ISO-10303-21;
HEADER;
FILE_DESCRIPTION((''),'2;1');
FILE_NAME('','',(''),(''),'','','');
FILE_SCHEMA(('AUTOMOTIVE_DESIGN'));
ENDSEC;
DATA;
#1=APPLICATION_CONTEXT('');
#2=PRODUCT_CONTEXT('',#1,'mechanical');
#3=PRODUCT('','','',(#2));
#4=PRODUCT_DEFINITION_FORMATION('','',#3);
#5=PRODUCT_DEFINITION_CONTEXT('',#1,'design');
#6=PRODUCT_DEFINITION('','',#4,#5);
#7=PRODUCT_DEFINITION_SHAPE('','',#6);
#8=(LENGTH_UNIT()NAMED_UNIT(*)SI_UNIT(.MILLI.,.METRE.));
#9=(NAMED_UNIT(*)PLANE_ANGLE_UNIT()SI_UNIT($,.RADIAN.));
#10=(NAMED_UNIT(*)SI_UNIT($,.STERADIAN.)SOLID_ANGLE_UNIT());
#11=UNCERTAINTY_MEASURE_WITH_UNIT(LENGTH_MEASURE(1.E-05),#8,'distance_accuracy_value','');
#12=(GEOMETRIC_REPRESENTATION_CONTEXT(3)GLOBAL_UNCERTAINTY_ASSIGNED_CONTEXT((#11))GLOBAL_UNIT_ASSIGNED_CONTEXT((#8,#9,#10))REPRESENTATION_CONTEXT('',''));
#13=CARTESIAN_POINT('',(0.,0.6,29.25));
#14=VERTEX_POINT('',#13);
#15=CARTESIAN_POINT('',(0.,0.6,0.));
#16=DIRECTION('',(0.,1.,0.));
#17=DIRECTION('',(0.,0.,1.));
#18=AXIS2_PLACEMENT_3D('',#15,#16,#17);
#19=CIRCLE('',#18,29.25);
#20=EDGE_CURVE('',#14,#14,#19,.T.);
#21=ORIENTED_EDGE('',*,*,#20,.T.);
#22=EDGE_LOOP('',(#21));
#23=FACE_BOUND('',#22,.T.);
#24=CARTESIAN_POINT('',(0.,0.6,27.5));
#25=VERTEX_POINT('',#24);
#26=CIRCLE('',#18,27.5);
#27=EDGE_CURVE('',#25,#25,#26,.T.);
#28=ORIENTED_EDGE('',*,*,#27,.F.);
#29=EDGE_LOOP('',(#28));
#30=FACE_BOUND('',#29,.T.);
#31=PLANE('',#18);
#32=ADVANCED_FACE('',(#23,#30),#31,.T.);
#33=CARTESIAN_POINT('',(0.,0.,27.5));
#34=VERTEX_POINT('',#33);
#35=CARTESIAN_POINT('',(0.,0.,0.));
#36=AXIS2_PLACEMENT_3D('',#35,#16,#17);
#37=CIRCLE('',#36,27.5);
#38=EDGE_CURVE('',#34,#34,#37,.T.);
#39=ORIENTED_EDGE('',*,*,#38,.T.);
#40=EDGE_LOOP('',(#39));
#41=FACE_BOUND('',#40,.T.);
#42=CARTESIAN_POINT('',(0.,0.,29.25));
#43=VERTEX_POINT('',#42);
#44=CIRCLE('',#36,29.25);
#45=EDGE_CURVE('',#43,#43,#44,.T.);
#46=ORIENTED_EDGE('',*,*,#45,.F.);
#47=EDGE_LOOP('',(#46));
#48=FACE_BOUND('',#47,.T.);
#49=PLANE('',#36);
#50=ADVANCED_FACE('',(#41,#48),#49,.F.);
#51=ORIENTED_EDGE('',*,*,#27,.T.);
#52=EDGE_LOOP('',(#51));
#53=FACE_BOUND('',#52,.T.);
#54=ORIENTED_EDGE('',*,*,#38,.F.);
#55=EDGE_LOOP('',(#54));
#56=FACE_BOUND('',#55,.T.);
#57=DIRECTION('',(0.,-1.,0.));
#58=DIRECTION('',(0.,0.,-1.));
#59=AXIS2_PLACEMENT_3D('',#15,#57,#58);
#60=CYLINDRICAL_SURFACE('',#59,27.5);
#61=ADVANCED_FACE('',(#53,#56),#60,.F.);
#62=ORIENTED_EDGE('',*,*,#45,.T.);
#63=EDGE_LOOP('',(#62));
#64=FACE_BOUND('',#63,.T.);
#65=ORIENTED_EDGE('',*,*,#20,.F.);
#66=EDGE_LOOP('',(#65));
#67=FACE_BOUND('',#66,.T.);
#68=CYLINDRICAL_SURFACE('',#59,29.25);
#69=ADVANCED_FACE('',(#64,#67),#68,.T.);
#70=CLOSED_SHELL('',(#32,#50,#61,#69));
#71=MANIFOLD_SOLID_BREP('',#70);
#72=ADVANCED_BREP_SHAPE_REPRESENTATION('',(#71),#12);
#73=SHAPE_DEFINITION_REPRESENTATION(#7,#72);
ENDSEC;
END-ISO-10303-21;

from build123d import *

# Parameters (mm, degrees)
SKETCH_1_R      = 29.25
SKETCH_1_R_2    = 27.5
EXTRUDE_1_DEPTH = 0.6


with BuildPart() as part:
    # Эскиз1 → Бобышка-Вытянуть1 (new body)
    with BuildSketch(Plane(origin=(0, 0, 0), x_dir=(1, 0, 0), z_dir=(0, 1, 0))):
        Circle(SKETCH_1_R)
        Circle(SKETCH_1_R_2, mode=Mode.SUBTRACT)
    extrude(amount=EXTRUDE_1_DEPTH)


solid = part.part
